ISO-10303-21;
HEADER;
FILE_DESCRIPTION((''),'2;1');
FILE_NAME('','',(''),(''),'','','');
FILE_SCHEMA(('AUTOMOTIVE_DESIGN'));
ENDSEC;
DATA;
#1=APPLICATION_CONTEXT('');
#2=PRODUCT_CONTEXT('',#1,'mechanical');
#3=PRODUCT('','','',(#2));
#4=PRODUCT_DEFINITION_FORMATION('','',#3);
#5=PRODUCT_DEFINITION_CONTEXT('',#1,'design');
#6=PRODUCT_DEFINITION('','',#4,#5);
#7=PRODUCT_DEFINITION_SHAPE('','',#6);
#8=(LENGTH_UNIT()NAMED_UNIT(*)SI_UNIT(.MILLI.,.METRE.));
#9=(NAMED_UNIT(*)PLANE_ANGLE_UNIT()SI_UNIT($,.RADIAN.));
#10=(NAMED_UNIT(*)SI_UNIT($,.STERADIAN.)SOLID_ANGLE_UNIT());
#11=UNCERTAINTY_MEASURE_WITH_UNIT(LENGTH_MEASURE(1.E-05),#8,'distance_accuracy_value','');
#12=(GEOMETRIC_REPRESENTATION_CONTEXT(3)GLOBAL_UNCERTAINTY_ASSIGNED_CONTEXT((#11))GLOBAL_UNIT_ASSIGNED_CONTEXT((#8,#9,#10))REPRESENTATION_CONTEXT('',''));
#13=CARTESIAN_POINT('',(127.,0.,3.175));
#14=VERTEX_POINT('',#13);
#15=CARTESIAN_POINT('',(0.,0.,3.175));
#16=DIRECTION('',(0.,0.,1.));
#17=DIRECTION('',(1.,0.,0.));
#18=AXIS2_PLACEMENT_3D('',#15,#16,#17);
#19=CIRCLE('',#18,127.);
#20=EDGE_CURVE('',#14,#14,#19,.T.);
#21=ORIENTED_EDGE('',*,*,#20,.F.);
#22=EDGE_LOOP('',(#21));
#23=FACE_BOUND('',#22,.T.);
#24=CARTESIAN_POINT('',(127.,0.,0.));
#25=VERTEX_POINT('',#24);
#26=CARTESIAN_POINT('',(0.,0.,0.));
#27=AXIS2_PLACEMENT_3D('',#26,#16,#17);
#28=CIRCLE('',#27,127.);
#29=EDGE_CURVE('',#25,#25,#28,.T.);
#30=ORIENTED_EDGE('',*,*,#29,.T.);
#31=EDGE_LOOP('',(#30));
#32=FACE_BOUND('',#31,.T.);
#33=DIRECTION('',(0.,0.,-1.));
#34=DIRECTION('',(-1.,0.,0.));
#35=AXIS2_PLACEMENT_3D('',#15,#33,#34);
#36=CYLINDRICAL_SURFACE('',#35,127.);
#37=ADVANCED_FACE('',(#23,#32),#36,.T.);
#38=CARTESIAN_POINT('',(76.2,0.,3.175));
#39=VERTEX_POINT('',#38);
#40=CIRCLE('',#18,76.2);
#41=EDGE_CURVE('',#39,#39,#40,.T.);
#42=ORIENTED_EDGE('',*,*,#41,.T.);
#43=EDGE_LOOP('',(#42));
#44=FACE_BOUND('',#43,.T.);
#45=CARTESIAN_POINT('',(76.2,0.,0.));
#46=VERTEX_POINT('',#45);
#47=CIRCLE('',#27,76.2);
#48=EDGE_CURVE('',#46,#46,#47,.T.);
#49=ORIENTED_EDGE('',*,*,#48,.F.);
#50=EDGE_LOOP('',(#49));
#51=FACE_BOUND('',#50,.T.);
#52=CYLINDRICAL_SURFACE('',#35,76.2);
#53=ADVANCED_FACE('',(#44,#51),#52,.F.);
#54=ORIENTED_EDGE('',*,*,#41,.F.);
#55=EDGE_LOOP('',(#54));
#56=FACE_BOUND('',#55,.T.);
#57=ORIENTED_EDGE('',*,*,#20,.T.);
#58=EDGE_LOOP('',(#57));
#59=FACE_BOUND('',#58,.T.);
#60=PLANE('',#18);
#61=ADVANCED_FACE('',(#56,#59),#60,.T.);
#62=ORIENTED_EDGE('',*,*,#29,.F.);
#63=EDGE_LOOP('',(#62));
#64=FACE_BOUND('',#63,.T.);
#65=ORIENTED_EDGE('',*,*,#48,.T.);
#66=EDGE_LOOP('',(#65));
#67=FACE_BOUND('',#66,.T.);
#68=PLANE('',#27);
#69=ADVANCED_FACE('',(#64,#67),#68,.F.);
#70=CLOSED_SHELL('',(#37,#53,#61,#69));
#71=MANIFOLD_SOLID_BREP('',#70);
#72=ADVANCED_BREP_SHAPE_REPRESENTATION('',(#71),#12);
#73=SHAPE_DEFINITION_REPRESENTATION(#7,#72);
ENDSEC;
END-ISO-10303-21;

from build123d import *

# Parameters (mm, degrees)
SKETCH1_R           = 127
SKETCH1_R_2         = 76.2
BOSS_EXTRUDE1_DEPTH = 3.175


with BuildPart() as part:
    # Sketch1 → Boss-Extrude1 (new body)
    with BuildSketch(Plane.XY):
        Circle(SKETCH1_R)
        Circle(SKETCH1_R_2, mode=Mode.SUBTRACT)
    extrude(amount=BOSS_EXTRUDE1_DEPTH)


solid = part.part
